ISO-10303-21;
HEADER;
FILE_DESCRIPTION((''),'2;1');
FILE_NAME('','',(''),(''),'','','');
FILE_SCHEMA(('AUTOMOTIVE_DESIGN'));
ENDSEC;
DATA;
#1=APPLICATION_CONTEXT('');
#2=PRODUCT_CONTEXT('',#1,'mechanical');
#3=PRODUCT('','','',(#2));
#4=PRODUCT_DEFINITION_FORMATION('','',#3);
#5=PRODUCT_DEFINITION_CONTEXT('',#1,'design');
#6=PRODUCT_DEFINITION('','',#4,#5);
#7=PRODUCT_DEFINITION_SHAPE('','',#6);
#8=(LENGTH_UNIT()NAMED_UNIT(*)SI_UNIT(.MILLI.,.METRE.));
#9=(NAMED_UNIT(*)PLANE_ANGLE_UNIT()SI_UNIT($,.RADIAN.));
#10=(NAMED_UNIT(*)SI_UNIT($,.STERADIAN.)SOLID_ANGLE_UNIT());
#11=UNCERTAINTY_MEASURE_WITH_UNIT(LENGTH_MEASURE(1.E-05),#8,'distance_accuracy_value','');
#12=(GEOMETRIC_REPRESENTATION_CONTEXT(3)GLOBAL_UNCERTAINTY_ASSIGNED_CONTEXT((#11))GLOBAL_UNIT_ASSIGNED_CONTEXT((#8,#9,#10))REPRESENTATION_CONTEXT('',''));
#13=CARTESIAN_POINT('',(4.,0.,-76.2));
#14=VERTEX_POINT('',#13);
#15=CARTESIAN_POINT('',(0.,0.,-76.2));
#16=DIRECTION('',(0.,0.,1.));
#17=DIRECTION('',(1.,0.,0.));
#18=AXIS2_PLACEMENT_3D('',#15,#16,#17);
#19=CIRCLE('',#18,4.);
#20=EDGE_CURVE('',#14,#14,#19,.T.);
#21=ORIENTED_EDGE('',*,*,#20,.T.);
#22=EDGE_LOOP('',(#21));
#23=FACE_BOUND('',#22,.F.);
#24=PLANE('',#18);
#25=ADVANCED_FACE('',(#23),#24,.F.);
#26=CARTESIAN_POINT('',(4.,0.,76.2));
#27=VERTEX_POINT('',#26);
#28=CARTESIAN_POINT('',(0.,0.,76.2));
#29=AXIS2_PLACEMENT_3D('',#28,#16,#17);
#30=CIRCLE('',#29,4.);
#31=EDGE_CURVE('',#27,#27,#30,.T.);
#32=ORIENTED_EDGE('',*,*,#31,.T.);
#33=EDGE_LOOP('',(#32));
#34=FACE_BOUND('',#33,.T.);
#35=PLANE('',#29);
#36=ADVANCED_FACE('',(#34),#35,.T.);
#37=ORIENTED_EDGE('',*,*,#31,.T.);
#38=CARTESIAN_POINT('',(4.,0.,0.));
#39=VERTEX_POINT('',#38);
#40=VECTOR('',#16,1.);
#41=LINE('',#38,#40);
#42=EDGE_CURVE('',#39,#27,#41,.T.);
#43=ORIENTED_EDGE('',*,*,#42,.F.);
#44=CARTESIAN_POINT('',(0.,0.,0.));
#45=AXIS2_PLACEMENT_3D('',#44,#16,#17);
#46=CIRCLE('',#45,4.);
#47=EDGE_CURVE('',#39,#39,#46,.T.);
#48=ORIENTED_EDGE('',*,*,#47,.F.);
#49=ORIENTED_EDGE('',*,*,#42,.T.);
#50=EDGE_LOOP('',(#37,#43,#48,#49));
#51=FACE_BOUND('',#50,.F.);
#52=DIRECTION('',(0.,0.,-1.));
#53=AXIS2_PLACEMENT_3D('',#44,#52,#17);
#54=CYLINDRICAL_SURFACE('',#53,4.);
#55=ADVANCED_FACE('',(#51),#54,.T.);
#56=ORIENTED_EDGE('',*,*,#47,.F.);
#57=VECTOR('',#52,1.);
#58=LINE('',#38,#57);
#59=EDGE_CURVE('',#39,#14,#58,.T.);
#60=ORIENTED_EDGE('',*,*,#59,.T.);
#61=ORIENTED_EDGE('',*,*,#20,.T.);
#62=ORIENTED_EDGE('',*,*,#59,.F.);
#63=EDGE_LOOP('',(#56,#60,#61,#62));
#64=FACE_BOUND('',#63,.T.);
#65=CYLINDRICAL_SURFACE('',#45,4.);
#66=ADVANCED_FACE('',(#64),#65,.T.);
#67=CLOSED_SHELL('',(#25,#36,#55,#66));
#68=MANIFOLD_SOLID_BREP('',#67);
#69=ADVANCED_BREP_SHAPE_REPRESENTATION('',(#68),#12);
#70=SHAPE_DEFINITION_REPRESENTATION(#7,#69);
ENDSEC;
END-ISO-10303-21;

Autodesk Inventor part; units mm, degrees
ref_plane "YZ Plane" through (0, 0, 0) normal (1, 0, 0) x (0, 1, 0)
ref_plane "XZ Plane" through (0, 0, 0) normal (0, 1, 0) x (-1, 0, 0)
ref_plane "XY Plane" through (0, 0, 0) normal (0, 0, 1) x (1, 0, 0)
sketch "Sketch1" plane through (0, 0, 0) normal (0, 0, 1) x (1, 0, 0)
  circle A0 centre (0, 0) radius 4
  dimension "d0" = 8
extrude "Extrusion1" add sketch "Sketch1" along normal mid plane 152.4
properties part number "Rotational Rod" material "Stainless Steel"
